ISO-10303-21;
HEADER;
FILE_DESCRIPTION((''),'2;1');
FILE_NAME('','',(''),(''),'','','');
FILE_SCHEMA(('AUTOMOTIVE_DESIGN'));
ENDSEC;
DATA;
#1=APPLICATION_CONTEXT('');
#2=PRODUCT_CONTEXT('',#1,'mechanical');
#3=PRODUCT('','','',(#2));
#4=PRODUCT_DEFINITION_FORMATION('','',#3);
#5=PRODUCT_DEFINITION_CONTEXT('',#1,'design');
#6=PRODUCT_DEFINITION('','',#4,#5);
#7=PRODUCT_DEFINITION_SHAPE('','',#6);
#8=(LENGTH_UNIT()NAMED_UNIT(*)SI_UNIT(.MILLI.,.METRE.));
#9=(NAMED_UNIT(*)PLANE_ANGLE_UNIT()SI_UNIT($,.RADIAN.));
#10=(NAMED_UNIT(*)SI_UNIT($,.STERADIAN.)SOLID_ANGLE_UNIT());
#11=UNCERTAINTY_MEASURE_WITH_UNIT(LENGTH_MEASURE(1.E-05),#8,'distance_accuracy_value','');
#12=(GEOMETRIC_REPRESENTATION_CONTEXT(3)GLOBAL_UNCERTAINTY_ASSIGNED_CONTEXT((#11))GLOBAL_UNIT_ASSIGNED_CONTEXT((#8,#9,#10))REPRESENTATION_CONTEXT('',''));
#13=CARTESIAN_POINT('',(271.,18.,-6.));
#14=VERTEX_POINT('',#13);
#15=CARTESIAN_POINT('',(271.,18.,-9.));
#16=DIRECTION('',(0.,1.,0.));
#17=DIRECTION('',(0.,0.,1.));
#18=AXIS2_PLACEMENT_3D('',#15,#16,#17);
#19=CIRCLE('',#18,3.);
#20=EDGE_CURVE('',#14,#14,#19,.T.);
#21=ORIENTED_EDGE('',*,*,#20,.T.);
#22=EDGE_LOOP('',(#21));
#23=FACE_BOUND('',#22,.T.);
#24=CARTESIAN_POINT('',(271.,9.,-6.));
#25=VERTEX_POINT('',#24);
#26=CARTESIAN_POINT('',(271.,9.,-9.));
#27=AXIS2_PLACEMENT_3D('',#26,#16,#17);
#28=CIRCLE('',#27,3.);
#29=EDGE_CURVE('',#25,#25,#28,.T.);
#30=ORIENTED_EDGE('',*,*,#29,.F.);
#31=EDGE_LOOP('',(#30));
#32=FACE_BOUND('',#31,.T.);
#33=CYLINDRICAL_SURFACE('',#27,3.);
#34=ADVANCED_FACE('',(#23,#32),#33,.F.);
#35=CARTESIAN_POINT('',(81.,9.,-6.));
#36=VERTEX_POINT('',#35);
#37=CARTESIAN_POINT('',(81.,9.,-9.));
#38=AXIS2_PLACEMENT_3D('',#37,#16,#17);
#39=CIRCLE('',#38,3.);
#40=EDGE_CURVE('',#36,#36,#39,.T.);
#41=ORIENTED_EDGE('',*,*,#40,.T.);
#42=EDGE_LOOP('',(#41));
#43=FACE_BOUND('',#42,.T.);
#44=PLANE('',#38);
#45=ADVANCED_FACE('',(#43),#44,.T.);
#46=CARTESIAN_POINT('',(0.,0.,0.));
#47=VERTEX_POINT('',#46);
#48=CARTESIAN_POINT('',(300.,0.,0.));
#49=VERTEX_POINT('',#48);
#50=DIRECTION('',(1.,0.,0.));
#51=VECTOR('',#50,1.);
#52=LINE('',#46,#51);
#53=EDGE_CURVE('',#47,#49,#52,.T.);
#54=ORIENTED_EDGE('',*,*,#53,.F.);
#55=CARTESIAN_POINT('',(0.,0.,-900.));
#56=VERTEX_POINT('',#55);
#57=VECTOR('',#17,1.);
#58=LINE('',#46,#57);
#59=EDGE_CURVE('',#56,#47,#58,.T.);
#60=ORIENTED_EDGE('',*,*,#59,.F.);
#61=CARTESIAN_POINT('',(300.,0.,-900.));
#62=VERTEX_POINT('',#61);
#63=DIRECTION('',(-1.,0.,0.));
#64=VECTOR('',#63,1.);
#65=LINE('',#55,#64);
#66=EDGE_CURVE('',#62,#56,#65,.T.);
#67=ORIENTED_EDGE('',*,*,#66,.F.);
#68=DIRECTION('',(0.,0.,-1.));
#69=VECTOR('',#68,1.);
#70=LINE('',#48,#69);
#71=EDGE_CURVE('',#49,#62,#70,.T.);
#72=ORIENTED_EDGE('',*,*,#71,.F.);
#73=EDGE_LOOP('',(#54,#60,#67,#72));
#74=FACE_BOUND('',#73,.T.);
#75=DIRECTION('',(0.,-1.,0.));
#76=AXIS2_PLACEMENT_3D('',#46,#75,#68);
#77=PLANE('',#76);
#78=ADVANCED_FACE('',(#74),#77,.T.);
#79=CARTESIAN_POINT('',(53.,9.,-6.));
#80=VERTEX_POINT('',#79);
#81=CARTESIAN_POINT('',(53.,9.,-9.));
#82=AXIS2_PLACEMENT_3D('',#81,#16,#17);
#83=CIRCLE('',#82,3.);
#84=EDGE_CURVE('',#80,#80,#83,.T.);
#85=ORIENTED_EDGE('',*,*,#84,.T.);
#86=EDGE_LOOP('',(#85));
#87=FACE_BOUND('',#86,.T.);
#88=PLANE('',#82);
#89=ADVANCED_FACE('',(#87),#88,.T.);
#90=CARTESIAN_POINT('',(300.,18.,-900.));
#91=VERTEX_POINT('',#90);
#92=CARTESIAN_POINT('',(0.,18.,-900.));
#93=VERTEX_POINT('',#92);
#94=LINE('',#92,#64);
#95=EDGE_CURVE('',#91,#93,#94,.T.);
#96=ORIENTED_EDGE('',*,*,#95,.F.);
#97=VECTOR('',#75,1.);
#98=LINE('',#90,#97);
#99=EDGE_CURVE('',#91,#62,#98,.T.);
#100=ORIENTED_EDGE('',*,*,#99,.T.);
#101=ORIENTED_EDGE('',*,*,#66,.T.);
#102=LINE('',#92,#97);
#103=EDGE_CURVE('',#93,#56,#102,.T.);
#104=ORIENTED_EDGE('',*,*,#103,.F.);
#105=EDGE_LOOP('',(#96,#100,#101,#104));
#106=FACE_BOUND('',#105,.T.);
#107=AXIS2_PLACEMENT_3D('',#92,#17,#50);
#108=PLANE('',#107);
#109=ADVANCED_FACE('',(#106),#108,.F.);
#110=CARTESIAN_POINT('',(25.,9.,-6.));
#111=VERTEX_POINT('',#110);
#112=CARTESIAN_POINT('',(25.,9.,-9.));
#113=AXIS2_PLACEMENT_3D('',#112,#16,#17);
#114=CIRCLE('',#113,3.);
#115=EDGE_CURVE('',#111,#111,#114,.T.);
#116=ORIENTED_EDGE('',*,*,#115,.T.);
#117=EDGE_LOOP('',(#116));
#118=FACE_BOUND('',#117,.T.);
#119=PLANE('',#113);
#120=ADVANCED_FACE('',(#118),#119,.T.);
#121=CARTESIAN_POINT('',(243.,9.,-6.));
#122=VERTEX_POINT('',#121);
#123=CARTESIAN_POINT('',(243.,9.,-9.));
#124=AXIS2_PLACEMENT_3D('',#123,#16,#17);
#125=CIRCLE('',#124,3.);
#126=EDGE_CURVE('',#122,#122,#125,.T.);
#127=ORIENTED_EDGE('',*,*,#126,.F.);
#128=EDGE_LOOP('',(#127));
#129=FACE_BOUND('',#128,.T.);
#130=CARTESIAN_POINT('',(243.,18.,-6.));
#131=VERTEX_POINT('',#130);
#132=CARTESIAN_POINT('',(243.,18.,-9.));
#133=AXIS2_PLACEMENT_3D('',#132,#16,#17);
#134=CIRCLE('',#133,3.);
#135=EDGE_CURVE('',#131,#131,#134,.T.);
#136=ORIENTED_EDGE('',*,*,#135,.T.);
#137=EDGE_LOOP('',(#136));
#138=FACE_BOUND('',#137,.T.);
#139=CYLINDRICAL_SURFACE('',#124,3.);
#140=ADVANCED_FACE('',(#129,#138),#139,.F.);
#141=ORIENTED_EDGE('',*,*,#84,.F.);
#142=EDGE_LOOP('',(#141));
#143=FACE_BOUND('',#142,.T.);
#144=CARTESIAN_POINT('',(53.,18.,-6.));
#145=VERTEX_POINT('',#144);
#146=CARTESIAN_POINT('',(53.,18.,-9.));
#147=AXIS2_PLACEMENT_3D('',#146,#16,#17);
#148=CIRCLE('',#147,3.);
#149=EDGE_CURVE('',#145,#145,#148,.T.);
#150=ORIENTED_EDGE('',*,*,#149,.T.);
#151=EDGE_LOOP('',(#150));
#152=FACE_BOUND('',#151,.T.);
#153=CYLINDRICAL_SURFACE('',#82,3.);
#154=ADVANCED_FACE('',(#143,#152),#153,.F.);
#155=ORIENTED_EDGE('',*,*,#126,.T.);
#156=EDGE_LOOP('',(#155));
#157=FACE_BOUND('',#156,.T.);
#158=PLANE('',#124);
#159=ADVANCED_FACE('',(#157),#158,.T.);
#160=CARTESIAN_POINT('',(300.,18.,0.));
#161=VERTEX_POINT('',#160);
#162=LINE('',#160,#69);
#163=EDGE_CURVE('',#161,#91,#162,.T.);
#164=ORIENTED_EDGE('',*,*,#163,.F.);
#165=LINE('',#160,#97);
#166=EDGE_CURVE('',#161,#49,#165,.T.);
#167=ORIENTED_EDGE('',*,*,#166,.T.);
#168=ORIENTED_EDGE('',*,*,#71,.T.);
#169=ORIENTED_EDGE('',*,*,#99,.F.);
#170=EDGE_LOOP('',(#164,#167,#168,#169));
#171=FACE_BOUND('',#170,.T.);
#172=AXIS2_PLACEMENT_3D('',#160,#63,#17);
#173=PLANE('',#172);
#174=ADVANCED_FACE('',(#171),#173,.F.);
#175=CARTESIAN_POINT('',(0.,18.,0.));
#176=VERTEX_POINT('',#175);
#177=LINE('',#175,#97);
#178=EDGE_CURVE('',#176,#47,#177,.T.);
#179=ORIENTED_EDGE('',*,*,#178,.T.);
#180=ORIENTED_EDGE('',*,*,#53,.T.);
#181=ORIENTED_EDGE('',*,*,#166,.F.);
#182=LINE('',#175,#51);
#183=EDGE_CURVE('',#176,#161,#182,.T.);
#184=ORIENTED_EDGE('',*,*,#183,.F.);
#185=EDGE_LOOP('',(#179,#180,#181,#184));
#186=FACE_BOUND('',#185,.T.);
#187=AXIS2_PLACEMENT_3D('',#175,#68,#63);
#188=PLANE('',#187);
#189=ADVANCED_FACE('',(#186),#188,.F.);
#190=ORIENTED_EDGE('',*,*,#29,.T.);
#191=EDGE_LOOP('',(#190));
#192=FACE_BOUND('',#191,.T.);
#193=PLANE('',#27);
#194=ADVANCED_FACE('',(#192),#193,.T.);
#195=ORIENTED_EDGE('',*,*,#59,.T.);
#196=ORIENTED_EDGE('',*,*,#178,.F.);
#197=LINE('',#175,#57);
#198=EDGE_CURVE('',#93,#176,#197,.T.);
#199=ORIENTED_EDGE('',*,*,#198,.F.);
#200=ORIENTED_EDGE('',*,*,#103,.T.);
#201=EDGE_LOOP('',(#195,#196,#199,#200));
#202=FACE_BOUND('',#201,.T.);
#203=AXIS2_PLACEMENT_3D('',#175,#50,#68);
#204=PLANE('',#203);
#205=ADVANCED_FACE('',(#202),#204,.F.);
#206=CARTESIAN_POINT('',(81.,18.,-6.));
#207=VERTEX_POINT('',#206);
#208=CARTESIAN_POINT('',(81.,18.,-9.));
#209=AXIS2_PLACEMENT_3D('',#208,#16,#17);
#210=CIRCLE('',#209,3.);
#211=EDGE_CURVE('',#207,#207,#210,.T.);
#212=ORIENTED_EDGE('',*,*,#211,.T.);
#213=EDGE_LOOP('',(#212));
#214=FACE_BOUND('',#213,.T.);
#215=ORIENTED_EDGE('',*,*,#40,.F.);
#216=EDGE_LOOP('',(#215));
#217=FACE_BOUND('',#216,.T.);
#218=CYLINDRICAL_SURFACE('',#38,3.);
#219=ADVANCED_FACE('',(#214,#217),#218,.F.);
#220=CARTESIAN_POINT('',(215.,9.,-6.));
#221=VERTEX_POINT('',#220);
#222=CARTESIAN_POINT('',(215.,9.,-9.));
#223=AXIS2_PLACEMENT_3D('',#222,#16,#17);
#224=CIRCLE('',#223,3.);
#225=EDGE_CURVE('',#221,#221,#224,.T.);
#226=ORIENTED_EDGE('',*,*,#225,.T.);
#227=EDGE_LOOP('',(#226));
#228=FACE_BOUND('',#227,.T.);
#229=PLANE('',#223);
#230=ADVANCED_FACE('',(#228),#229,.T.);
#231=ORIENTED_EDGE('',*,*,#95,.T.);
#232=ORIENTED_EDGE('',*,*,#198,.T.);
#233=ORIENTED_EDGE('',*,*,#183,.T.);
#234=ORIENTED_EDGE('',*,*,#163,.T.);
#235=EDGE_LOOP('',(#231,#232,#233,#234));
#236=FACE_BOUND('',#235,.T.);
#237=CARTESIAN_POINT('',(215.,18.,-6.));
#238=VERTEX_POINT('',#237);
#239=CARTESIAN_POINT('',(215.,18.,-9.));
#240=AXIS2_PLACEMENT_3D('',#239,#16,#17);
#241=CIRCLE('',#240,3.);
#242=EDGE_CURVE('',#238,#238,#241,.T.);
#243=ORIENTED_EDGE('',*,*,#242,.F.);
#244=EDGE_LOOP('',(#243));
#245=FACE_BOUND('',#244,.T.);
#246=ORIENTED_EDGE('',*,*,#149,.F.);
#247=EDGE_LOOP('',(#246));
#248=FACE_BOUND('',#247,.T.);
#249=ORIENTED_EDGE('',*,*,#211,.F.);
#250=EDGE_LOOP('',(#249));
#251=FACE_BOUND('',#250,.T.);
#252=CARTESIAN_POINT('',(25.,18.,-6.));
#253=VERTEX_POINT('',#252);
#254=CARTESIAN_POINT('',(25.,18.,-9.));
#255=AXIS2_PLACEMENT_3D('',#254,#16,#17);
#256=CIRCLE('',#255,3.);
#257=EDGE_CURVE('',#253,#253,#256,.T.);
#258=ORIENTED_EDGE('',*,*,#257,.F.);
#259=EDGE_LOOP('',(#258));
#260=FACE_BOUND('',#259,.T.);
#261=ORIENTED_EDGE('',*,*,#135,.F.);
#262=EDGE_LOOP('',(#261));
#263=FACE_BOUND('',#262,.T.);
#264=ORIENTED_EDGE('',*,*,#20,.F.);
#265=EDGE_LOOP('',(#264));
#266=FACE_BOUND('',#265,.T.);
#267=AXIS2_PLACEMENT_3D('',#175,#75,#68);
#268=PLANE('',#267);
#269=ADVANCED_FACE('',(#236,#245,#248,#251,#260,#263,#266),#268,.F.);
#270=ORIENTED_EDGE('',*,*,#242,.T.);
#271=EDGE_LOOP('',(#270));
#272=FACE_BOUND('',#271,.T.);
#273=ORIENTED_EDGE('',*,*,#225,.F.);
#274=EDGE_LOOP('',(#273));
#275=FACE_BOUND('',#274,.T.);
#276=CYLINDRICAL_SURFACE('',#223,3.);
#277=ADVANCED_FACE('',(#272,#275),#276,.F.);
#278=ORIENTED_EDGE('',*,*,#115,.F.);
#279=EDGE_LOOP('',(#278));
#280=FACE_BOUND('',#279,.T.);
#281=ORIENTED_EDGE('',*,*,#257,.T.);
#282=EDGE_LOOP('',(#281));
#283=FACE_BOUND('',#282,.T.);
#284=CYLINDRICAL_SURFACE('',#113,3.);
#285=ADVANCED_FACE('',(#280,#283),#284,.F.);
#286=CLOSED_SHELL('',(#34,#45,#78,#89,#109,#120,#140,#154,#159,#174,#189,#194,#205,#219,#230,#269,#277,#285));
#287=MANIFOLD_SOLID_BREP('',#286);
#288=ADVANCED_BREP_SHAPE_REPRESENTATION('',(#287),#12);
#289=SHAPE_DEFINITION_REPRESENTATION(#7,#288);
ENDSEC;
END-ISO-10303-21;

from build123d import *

# Parameters (mm, degrees)
SKETCH_2_W          = 300
SKETCH_2_H          = 900
EXTRUDE_1_DEPTH     = 18
SKETCH_3_R          = 3
CUT_EXTRUDE_1_DEPTH = 9


with BuildPart() as part:
    # Эскиз2 → Бобышка-Вытянуть1 (new body)
    with BuildSketch(Plane(origin=(0, 0, 0), x_dir=(1, 0, 0), z_dir=(0, 1, 0))):
        with Locations((150, 450)):
            Rectangle(SKETCH_2_W, SKETCH_2_H)
    extrude(amount=EXTRUDE_1_DEPTH)

    # Эскиз3 → Вырез-Вытянуть1 (cut)
    with BuildSketch(Plane(origin=(0, 18, 0), x_dir=(1, 0, 0), z_dir=(0, 1, 0))):
        with Locations((25, 9)):
            Circle(SKETCH_3_R)
        with Locations((53, 9)):
            Circle(SKETCH_3_R)
        with Locations((81, 9)):
            Circle(SKETCH_3_R)
        with Locations((215, 9)):
            Circle(SKETCH_3_R)
        with Locations((243, 9)):
            Circle(SKETCH_3_R)
        with Locations((271, 9)):
            Circle(SKETCH_3_R)
    extrude(amount=-CUT_EXTRUDE_1_DEPTH, mode=Mode.SUBTRACT)


solid = part.part
